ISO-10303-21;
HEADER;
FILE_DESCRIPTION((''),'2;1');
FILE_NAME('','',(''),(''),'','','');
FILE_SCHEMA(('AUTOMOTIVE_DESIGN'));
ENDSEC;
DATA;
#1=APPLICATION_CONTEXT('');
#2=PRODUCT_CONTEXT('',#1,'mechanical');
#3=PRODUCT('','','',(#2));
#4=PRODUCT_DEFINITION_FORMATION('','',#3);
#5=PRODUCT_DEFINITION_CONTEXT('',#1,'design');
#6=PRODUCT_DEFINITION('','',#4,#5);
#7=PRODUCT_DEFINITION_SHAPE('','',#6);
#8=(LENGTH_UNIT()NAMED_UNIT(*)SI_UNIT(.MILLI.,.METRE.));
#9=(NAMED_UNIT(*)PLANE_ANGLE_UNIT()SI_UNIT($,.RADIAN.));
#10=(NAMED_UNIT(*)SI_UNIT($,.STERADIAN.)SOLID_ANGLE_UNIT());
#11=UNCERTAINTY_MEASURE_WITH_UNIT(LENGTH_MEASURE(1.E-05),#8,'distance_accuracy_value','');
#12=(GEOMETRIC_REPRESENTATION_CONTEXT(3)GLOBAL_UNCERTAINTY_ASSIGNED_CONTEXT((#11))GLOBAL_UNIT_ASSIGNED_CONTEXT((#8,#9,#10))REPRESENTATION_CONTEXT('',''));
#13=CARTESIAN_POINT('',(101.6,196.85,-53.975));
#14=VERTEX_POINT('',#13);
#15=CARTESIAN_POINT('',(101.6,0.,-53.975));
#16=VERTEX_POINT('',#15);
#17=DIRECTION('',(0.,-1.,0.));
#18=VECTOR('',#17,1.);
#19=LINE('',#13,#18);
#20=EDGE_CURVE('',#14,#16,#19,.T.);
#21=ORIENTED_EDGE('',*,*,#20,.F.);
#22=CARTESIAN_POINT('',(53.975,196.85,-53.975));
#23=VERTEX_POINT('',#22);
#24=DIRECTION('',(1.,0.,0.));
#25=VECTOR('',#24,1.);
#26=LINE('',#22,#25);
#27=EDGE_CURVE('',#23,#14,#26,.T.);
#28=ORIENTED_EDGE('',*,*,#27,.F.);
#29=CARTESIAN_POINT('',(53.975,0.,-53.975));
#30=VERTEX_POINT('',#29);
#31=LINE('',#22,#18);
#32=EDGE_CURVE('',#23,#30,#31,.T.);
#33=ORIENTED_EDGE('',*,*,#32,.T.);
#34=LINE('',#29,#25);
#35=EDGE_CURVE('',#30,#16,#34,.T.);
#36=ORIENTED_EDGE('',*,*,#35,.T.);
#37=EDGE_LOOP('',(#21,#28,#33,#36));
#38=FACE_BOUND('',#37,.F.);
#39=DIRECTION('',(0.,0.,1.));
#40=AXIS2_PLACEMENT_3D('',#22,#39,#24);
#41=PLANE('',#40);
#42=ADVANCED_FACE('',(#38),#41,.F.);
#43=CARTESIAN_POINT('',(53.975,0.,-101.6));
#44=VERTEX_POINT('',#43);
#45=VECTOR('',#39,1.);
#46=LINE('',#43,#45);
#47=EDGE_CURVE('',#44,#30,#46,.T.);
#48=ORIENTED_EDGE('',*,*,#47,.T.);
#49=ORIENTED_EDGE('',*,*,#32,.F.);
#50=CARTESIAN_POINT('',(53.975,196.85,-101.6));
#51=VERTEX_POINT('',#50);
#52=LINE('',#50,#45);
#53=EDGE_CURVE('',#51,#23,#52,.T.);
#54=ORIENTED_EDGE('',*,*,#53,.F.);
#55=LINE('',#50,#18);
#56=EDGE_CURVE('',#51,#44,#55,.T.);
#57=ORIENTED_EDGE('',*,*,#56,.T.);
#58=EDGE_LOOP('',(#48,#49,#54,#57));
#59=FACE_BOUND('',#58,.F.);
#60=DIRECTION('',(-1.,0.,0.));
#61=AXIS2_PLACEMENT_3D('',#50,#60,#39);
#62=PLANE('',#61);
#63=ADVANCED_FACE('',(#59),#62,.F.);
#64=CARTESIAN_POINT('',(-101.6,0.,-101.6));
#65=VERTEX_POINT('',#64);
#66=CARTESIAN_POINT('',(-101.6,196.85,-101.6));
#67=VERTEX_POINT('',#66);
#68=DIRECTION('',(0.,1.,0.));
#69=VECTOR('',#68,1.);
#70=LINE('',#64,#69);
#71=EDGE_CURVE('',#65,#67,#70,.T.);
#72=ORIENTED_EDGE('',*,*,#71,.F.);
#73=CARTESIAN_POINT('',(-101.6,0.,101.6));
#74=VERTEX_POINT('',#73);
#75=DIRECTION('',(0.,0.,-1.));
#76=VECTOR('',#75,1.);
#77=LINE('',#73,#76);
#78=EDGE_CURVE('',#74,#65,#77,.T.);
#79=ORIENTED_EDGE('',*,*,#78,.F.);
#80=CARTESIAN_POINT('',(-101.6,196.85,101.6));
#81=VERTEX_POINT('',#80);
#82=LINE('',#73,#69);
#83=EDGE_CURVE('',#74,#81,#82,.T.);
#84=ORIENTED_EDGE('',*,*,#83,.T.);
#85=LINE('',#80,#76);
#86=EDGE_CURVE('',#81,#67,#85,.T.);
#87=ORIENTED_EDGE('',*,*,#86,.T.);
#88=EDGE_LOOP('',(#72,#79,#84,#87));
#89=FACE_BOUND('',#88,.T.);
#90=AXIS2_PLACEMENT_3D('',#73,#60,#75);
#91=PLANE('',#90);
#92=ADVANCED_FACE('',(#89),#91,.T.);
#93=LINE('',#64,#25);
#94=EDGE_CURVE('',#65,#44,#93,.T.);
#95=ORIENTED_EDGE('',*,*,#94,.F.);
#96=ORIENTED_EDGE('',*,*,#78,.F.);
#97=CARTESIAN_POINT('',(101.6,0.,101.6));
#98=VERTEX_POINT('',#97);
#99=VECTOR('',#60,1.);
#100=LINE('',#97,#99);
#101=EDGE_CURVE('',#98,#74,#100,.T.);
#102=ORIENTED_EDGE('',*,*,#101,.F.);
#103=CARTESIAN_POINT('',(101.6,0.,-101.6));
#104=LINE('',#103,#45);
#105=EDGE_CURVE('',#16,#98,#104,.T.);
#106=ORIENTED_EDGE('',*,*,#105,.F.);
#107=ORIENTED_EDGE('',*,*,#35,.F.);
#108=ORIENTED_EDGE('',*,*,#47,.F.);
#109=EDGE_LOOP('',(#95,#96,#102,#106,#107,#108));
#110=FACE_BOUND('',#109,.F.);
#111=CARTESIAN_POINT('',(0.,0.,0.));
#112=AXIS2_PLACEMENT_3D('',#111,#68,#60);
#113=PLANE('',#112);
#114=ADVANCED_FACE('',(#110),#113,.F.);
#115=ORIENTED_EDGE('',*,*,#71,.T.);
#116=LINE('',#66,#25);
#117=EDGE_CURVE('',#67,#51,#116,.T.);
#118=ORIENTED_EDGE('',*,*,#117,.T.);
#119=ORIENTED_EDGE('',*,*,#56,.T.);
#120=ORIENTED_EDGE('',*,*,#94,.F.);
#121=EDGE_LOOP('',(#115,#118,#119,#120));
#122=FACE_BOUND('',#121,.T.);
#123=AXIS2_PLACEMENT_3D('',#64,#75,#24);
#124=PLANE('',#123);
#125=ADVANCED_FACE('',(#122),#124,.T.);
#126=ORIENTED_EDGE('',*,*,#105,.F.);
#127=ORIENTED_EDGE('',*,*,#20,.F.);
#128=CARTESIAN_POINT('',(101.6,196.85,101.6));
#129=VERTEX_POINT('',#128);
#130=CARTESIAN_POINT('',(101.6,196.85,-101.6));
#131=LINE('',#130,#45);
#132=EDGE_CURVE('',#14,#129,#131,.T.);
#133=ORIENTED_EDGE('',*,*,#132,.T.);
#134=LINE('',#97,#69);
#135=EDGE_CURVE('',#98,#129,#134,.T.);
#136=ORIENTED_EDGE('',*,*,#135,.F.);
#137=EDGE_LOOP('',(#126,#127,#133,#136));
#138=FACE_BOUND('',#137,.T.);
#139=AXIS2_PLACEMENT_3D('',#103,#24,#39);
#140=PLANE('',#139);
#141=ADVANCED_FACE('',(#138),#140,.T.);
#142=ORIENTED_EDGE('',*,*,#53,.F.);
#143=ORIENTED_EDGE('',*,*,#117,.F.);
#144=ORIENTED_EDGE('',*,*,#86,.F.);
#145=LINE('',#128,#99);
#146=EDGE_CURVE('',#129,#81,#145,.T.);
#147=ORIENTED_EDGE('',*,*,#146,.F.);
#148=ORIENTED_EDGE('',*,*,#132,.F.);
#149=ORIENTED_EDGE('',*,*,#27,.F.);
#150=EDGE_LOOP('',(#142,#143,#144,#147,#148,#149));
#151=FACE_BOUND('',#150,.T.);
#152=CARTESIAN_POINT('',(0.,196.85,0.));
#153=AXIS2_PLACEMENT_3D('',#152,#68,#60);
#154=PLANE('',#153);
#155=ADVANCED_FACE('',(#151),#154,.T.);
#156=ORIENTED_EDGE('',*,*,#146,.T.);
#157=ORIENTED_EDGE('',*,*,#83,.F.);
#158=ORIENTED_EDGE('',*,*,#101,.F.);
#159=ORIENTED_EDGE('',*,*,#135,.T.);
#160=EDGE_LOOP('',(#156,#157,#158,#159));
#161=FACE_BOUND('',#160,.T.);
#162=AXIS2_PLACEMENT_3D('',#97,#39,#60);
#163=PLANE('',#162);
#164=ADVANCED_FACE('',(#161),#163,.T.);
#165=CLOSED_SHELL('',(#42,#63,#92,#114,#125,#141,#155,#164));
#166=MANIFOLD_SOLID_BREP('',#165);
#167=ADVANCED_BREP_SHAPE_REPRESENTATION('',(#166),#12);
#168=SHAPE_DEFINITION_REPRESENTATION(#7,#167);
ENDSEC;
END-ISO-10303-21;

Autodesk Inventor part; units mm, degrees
ref_plane "YZ Plane" through (0, 0, 0) normal (1, 0, 0) x (0, 1, 0)
ref_plane "XZ Plane" through (0, 0, 0) normal (0, 1, 0) x (-1, 0, 0)
ref_plane "XY Plane" through (0, 0, 0) normal (0, 0, 1) x (1, 0, 0)
sketch "Sketch1" plane through (0, 0, 0) normal (0, 1, 0) x (-1, 0, 0)
  line L0 (101.6, -101.6) -> (-101.6, -101.6)
  line L1 (-101.6, -101.6) -> (-101.6, 101.6)
  line L2 (-101.6, 101.6) -> (101.6, 101.6)
  line L3 (101.6, 101.6) -> (101.6, -101.6)
  line L4 (101.6, -101.6) -> (-101.6, 101.6) construction
  line L5 (-101.6, -101.6) -> (101.6, 101.6) construction
  point P0 (0, 0)
  dimension "d0" = 203.2
  dimension "d1" = 203.2
extrude "Extrusion1" add sketch "Sketch1" along normal blind 196.85
sketch "Sketch2" plane through (0, 196.85, 0) normal (0, 1, 0) x (1, 0, 0)
  line L0 (101.6, -101.6) -> (101.6, 101.6) projected
  line L1 (101.6, 101.6) -> (53.975, 101.6)
  line L2 (53.975, 101.6) -> (53.975, 53.975)
  line L3 (53.975, 53.975) -> (101.6, 53.975)
  line L4 (101.6, 53.975) -> (101.6, 101.6)
  point P0 (0, 0)
  point P1 (101.6, 53.975)
  dimension "d4" = 47.625
  dimension "d5" = 47.625
extrude "Extrusion2" cut sketch "Sketch2" against normal up to surface (196.85 mm away)
properties part number "1-32" material "Limestone"
